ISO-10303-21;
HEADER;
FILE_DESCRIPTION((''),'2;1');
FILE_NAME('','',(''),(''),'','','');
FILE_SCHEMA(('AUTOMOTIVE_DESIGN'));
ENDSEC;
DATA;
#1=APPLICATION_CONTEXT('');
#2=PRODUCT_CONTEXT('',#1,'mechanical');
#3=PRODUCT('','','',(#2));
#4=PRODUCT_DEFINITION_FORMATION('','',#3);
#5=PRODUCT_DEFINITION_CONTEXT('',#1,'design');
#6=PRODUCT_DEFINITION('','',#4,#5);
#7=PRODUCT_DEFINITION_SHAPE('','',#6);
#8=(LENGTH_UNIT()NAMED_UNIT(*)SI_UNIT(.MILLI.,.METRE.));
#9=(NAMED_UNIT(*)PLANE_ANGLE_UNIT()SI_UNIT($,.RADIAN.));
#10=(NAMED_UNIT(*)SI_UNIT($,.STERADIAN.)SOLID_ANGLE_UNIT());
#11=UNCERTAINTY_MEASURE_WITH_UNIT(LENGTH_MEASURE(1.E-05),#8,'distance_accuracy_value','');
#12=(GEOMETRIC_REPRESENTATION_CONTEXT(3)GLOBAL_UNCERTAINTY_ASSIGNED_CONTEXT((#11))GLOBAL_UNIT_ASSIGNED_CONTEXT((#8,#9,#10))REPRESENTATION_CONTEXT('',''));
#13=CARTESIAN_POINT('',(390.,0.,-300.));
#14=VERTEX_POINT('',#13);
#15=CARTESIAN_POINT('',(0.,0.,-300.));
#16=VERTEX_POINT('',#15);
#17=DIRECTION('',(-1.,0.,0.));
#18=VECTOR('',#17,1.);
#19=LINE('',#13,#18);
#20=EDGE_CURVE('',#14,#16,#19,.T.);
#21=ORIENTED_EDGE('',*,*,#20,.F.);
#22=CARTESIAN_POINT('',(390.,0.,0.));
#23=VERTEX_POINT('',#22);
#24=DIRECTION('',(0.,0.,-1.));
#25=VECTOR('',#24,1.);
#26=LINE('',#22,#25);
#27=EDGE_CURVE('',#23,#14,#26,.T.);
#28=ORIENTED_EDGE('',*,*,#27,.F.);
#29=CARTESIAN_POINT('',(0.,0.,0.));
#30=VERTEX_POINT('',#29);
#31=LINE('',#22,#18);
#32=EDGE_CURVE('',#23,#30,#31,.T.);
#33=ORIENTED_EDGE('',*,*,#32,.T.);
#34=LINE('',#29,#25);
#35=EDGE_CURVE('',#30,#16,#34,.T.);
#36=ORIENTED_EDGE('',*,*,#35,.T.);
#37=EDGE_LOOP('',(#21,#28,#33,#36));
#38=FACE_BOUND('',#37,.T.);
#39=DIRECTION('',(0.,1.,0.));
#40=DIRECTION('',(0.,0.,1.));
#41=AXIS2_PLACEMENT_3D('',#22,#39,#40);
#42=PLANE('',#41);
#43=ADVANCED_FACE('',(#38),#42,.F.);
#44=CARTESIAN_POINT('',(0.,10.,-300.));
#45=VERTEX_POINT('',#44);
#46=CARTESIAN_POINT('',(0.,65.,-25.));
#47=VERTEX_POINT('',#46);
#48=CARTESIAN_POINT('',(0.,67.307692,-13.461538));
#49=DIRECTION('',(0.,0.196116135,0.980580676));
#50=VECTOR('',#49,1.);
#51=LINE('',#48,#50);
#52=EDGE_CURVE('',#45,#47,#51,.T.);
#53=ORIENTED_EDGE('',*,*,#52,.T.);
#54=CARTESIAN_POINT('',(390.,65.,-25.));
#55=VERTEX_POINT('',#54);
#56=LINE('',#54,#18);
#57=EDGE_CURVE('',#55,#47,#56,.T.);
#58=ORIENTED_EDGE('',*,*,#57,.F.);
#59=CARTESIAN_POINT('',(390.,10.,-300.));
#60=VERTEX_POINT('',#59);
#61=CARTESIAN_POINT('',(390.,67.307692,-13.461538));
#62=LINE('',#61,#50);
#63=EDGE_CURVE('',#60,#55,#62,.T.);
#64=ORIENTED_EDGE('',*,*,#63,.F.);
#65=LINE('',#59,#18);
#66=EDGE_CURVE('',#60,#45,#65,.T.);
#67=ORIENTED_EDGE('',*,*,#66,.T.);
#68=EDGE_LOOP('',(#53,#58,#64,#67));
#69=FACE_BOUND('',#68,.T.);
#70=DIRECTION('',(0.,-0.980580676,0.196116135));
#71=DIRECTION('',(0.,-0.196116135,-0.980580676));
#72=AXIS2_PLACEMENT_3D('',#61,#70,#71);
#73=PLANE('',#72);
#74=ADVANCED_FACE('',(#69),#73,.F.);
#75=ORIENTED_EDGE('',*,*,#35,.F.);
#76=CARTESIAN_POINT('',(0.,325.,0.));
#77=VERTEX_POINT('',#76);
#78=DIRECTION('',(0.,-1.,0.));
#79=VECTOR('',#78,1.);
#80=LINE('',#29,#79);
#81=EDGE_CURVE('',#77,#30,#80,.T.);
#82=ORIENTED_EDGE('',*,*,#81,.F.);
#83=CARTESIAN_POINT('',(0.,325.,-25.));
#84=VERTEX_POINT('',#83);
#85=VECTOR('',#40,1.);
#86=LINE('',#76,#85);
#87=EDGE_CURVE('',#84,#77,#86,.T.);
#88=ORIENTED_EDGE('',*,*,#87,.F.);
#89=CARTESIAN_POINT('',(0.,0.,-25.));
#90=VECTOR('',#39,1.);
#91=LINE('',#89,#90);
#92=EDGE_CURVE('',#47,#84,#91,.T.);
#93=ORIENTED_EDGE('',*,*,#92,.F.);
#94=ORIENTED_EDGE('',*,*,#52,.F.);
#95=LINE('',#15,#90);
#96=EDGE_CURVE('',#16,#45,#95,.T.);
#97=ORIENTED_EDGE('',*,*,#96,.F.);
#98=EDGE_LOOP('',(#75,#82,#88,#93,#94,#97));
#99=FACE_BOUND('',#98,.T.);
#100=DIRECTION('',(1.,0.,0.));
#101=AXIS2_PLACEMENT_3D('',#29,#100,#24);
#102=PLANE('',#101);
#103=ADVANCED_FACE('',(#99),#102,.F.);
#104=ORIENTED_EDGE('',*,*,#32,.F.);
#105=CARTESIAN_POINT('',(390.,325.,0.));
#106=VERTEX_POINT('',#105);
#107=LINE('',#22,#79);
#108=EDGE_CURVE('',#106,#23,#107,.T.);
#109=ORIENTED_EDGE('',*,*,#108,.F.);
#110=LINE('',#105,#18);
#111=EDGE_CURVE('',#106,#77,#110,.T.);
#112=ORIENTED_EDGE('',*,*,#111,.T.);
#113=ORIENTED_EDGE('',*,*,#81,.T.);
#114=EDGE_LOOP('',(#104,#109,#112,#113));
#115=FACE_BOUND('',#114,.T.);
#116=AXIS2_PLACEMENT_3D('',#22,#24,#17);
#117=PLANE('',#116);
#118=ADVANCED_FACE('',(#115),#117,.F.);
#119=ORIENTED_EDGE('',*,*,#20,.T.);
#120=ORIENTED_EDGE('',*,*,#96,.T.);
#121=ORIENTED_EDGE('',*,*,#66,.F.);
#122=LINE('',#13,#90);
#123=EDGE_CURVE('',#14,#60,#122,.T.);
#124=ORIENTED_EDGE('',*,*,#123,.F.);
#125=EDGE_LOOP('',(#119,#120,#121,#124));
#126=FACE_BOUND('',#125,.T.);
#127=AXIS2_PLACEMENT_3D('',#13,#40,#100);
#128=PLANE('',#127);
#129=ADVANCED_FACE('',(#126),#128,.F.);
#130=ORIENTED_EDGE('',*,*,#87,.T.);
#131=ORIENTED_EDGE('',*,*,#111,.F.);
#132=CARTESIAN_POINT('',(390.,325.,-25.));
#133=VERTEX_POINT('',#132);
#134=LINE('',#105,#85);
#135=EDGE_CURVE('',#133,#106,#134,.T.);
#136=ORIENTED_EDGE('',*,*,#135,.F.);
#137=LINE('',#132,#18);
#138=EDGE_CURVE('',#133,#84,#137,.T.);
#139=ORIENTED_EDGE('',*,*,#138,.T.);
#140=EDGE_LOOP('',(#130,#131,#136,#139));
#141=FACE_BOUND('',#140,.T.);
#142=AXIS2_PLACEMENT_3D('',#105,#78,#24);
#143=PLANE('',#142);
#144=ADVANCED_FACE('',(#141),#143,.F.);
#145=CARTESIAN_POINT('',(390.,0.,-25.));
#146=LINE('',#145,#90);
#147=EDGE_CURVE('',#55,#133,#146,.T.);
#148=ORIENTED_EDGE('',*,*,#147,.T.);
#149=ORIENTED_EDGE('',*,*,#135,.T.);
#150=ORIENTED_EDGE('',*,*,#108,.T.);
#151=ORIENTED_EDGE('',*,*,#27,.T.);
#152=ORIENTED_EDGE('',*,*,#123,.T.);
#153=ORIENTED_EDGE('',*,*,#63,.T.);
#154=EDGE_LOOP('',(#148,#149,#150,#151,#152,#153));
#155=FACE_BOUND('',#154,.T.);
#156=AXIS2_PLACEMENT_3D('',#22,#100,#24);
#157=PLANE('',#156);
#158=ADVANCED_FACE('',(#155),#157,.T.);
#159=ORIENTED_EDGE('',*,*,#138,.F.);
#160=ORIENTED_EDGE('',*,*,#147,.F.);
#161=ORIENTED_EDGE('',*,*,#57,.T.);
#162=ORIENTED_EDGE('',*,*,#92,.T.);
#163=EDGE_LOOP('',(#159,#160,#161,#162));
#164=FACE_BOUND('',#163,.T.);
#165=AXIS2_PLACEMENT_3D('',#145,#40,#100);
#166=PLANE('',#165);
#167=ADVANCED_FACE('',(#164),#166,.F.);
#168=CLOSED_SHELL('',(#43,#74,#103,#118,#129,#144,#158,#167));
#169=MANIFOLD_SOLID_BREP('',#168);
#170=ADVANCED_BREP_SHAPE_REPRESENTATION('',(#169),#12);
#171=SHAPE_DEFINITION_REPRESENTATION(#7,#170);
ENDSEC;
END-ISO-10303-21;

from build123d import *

# Parameters (mm, degrees)
BOSS_EXTRUDE1_DEPTH = 390


with BuildPart() as part:
    # Sketch1 → Boss-Extrude1 (new body)
    with BuildSketch(Plane(origin=(0, 0, 0), x_dir=(0, 0, -1), z_dir=(1, 0, 0))):
        Polygon((25, 325), (0, 325), (0, 0), (300, 0), (300, 10), (25, 65), align=None)
    extrude(amount=BOSS_EXTRUDE1_DEPTH)


solid = part.part
